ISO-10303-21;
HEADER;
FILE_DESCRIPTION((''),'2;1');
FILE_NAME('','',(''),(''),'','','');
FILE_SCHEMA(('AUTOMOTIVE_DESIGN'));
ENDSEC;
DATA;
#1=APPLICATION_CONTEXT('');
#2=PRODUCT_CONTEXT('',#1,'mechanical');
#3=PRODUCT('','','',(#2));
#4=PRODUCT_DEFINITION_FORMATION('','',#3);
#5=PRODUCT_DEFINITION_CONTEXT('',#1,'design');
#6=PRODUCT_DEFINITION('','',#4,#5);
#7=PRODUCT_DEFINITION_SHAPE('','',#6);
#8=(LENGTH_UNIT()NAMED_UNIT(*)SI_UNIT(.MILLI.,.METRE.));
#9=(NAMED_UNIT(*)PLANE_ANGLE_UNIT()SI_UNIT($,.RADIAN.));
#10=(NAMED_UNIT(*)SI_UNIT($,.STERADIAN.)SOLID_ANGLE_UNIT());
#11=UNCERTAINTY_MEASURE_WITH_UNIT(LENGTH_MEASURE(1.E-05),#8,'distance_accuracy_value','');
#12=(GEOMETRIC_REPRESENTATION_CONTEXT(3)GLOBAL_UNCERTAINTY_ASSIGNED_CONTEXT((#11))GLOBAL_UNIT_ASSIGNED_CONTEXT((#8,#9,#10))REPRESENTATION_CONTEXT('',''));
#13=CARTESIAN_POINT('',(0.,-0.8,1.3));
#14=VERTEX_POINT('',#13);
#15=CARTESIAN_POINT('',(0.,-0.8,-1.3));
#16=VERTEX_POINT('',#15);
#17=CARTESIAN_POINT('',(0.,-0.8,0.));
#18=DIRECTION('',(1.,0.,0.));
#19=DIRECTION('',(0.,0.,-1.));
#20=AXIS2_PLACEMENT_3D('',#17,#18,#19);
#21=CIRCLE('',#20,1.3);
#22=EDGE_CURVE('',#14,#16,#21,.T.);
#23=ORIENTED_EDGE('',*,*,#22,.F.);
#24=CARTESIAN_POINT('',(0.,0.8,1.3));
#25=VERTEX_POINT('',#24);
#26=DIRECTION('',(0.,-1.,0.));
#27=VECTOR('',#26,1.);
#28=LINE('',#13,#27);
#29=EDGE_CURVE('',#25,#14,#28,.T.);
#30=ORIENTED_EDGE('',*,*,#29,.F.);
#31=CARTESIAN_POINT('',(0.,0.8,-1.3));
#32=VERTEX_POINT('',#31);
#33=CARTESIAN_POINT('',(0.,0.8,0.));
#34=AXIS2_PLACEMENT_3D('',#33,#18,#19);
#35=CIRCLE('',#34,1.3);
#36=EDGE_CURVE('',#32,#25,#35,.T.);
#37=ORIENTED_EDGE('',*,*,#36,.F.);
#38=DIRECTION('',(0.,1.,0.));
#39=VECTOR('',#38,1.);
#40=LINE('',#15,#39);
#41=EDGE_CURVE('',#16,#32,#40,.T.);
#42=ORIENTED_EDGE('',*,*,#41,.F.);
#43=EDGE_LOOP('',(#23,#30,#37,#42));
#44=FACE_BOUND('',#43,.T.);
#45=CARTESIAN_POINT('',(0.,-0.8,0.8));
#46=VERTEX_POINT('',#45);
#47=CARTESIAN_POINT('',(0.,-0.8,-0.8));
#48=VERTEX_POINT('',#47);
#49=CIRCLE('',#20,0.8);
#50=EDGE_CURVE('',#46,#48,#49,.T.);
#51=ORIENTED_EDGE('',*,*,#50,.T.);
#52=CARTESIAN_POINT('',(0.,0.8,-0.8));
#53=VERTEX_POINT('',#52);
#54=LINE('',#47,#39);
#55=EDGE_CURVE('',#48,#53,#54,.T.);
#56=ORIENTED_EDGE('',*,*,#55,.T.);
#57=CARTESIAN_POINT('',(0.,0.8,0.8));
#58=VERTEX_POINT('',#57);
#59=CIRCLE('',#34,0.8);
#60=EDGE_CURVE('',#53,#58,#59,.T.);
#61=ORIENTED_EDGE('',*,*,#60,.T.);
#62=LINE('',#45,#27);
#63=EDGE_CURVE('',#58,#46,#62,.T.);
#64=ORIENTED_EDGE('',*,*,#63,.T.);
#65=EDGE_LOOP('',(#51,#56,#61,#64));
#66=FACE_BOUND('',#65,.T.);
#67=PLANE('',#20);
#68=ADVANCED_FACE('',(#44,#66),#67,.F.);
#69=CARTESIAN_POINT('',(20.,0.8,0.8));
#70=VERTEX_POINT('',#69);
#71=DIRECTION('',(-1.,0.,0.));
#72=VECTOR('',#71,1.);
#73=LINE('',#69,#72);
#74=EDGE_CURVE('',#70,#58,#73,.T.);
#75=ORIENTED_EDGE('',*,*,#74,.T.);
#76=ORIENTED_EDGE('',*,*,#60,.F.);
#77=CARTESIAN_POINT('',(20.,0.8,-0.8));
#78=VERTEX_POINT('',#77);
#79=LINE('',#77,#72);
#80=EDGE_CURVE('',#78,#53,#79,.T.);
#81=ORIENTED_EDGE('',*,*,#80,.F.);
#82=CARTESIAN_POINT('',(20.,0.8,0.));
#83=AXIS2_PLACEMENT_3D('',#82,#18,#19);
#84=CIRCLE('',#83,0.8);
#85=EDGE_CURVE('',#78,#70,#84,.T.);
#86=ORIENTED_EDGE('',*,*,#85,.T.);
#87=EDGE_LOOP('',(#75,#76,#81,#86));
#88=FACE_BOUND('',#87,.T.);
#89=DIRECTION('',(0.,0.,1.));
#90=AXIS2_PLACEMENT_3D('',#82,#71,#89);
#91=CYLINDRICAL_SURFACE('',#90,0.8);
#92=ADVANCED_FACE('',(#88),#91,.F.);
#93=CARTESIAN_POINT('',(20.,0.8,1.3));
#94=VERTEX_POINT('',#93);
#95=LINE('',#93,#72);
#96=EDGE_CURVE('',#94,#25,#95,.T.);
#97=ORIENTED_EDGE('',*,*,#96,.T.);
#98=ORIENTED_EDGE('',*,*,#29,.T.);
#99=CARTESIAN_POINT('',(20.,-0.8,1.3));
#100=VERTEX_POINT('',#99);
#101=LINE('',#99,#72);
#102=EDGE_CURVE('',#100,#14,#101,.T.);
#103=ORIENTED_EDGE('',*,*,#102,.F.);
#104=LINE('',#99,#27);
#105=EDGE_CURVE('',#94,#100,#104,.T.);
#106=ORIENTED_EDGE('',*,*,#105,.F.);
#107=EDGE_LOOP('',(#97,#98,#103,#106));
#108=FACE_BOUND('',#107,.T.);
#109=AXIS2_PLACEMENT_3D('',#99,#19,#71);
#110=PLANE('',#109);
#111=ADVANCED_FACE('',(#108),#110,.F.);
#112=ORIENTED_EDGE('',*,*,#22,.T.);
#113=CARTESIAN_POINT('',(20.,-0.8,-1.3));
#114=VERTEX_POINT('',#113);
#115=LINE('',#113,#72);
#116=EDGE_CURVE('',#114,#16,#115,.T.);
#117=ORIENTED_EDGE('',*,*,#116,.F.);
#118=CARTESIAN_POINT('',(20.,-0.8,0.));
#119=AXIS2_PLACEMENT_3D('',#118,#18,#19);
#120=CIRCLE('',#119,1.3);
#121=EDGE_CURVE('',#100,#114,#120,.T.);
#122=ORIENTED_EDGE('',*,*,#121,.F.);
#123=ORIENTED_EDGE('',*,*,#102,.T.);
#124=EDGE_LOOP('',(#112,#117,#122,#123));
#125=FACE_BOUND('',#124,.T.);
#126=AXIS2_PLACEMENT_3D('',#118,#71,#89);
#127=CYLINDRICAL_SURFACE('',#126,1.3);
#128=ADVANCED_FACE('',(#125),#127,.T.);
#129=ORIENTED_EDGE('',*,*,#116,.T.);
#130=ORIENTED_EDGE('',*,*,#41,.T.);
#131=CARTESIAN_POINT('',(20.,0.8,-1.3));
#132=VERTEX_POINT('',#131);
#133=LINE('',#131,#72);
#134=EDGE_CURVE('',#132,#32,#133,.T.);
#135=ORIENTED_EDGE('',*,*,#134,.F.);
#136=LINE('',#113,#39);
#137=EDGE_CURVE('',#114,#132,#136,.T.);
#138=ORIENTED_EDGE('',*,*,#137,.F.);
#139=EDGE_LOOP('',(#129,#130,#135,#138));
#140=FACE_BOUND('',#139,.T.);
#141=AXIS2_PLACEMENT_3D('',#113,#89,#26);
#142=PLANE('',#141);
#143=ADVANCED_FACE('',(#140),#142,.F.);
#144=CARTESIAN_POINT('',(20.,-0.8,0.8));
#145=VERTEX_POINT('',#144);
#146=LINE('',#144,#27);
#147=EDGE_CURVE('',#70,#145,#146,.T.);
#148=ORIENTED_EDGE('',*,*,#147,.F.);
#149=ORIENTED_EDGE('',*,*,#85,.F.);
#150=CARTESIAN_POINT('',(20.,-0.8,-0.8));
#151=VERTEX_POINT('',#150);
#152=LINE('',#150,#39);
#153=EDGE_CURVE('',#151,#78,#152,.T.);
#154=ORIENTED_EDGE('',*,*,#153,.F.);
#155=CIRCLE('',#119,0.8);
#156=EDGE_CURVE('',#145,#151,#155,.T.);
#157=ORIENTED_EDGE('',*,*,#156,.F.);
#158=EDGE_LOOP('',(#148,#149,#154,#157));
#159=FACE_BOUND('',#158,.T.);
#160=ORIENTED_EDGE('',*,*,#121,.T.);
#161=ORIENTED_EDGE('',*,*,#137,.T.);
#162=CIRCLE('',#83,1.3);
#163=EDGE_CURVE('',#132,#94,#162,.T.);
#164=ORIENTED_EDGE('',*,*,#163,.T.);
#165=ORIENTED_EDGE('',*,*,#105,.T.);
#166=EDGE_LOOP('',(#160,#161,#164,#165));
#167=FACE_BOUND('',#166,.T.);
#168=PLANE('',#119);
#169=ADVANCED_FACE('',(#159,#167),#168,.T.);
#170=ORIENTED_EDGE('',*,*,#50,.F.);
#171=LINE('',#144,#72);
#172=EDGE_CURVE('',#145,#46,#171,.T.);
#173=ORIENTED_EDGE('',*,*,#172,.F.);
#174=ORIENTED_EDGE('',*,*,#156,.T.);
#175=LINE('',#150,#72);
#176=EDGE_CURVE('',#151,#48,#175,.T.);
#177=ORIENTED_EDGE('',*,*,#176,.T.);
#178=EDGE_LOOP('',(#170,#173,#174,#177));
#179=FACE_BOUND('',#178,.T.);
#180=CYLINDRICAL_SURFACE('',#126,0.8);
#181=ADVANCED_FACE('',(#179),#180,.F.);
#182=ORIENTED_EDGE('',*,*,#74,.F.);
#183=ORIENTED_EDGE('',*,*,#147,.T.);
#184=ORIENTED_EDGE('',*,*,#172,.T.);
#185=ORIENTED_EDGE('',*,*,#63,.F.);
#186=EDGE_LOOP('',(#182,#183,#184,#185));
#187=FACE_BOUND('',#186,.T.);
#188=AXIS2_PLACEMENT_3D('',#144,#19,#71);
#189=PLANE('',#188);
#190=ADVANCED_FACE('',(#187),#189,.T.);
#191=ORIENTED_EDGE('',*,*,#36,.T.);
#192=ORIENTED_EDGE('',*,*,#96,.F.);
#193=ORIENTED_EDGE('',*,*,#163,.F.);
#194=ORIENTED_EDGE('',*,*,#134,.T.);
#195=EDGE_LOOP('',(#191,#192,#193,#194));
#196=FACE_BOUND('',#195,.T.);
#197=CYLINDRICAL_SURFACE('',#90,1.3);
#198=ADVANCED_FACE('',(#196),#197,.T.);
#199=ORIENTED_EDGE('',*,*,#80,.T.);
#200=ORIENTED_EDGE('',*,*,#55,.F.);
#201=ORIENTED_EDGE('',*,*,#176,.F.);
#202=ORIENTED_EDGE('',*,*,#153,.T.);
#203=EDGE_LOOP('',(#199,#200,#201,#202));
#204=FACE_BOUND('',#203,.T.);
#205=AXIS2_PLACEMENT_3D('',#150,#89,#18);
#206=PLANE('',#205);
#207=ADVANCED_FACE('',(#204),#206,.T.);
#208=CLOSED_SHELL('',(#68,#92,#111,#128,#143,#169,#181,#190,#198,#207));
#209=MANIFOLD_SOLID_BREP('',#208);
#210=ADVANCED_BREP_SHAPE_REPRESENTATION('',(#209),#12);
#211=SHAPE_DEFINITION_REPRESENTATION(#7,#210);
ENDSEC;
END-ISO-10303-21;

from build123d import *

# Parameters (mm, degrees)
BOSS_EXTRUDE1_DEPTH = 20


with BuildPart() as part:
    # Sketch1 → Boss-Extrude1 (new body)
    with BuildSketch(Plane(origin=(0, 0, 0), x_dir=(0, 0, -1), z_dir=(1, 0, 0))):
        with BuildLine():
            Line((-1.3, -0.8), (-1.3, 0.8))
            ThreePointArc((-1.3, 0.8), (0, 2.1), (1.3, 0.8))
            Line((1.3, 0.8), (1.3, -0.8))
            ThreePointArc((1.3, -0.8), (0, -2.1), (-1.3, -0.8))
        make_face()
        with BuildLine():
            Line((-0.8, -0.8), (-0.8, 0.8))
            ThreePointArc((-0.8, 0.8), (0, 1.6), (0.8, 0.8))
            Line((0.8, 0.8), (0.8, -0.8))
            ThreePointArc((0.8, -0.8), (0, -1.6), (-0.8, -0.8))
        make_face(mode=Mode.SUBTRACT)
    extrude(amount=BOSS_EXTRUDE1_DEPTH)


solid = part.part
